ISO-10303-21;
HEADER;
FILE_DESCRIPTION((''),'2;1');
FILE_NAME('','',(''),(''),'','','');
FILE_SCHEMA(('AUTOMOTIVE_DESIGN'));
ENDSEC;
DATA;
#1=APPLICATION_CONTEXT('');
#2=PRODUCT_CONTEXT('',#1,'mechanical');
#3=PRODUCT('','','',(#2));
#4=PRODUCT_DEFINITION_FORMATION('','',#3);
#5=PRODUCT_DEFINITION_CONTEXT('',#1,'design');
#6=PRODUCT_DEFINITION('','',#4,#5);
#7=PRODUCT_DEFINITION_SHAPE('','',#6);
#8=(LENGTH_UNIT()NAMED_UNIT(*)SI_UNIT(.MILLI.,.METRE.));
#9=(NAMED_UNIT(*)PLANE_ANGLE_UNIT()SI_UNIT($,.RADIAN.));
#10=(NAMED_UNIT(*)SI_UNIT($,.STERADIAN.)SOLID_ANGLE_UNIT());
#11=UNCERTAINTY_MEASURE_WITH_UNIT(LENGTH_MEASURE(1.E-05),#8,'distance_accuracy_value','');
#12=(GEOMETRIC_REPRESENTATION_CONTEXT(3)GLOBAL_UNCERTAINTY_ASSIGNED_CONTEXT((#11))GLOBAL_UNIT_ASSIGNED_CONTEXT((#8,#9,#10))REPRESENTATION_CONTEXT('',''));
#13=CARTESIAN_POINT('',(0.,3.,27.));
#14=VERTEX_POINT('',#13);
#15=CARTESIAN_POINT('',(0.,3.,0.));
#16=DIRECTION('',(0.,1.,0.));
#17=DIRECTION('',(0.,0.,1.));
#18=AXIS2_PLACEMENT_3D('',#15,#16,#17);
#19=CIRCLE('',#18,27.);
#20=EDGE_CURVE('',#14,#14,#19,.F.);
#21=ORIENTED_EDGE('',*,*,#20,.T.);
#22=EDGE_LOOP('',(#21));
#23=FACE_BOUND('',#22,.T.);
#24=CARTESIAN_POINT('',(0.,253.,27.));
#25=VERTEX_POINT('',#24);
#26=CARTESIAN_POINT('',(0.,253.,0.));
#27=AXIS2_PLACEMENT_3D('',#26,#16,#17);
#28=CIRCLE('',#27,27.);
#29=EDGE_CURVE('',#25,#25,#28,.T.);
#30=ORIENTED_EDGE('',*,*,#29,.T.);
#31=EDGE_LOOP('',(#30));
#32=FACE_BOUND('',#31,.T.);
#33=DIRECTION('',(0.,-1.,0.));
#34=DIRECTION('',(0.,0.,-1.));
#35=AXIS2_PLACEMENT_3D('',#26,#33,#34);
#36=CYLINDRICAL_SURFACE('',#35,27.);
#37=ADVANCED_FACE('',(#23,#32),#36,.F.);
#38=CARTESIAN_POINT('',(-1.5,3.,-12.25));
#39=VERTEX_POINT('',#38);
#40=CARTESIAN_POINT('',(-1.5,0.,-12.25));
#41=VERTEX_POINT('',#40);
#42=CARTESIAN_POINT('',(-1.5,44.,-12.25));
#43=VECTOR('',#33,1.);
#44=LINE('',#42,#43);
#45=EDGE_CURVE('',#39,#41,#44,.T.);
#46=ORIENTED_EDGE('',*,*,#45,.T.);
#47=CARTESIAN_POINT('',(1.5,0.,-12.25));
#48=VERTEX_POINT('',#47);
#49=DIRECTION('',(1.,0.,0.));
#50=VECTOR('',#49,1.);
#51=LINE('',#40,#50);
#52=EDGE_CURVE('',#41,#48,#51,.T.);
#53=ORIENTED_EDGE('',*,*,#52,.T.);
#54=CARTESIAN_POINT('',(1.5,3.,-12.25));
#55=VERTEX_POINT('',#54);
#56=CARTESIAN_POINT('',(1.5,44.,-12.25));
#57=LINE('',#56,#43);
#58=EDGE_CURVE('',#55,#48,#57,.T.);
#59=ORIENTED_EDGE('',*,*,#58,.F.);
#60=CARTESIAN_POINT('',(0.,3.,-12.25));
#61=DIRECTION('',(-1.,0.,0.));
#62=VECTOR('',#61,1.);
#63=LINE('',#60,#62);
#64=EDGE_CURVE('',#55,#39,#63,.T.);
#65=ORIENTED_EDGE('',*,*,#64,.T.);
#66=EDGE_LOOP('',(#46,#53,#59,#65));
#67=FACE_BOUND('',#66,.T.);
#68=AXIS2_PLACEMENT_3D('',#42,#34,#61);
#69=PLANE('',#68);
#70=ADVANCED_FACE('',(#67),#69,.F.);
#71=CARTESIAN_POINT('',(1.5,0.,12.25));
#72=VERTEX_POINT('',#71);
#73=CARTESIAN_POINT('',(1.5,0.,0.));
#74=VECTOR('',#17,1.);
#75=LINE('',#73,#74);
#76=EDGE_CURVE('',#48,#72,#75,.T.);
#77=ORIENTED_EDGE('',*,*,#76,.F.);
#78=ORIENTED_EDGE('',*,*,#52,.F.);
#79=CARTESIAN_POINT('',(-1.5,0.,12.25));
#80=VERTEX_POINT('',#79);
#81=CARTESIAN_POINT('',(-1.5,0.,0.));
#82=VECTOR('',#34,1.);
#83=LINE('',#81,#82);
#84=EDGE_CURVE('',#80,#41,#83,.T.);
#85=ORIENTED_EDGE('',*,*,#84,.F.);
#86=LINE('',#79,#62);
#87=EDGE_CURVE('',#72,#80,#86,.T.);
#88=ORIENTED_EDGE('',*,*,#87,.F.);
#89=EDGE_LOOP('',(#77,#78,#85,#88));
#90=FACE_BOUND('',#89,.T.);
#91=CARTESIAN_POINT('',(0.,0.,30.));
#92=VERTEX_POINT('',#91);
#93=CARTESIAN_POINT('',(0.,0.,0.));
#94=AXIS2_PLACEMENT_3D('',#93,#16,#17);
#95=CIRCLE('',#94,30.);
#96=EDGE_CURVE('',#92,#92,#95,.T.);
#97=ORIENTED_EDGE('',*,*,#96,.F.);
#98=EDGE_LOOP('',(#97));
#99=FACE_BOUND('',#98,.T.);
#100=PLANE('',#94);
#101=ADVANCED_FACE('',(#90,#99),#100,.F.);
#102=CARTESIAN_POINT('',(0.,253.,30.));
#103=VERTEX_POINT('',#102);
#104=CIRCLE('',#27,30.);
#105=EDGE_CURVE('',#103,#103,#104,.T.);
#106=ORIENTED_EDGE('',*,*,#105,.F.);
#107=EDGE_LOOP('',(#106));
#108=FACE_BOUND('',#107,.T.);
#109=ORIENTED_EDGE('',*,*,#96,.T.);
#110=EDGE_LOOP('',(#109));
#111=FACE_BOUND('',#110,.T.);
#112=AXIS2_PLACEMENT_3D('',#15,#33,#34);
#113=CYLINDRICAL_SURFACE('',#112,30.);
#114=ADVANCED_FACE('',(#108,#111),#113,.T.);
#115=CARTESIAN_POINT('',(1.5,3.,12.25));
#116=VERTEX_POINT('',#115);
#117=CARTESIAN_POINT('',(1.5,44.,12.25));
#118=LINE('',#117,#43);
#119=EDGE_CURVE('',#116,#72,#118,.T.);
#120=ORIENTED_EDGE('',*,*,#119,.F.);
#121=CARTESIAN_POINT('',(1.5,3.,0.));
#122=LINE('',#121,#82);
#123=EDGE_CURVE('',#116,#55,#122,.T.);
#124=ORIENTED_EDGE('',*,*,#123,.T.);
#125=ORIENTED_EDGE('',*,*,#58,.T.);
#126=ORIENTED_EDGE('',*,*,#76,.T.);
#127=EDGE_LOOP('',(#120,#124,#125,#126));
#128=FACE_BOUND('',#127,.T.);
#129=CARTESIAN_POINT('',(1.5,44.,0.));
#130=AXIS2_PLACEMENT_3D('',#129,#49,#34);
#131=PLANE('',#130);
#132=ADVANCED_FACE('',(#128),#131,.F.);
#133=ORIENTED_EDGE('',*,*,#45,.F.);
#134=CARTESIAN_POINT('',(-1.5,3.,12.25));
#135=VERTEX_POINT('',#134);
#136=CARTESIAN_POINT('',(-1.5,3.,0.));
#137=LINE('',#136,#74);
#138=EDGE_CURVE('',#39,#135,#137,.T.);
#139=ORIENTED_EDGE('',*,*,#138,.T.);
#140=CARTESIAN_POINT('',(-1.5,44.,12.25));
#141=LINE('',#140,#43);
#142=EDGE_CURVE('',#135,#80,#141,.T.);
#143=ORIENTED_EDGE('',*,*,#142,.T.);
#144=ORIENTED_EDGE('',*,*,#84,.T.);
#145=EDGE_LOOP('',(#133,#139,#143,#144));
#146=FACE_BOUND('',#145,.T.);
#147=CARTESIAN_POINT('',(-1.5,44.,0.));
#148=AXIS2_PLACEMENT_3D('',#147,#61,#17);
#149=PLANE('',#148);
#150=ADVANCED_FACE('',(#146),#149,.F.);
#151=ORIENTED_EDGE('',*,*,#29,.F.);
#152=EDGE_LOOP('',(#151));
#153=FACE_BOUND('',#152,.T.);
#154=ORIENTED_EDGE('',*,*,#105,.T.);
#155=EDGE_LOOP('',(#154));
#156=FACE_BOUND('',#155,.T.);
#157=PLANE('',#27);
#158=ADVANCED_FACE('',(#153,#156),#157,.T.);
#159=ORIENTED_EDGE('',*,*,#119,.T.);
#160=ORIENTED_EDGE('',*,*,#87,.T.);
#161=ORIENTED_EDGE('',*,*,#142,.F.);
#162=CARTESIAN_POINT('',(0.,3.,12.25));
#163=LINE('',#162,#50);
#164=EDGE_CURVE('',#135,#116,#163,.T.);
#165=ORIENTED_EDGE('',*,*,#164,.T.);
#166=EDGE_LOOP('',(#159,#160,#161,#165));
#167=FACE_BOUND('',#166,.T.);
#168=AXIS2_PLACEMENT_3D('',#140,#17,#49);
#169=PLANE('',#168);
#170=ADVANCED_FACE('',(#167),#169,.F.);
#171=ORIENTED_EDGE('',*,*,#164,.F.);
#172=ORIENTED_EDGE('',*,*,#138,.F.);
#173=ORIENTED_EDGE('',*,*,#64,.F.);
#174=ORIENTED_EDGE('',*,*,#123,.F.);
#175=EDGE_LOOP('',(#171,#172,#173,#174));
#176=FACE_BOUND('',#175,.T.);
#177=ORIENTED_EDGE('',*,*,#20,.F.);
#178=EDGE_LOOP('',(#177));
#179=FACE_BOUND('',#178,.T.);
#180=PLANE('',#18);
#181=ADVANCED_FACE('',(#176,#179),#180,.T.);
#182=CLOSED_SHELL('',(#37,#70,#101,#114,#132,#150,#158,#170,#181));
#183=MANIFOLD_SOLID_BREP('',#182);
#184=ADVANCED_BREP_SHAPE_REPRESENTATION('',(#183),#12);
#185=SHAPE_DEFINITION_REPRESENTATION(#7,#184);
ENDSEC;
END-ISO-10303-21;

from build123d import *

# Parameters (mm, degrees)
SKETCH1_R           = 30
BOSS_EXTRUDE1_DEPTH = 3
SKETCH2_R           = 30
SKETCH2_R_2         = 27
BOSS_EXTRUDE2_DEPTH = 250
CUT_EXTRUDE1_DEPTH  = 44


with BuildPart() as part:
    # Sketch1 → Boss-Extrude1 (new body)
    with BuildSketch(Plane(origin=(0, 0, 0), x_dir=(1, 0, 0), z_dir=(0, 1, 0))):
        Circle(SKETCH1_R)
    extrude(amount=BOSS_EXTRUDE1_DEPTH)

    # Sketch2 → Boss-Extrude2 (add)
    with BuildSketch(Plane(origin=(0, 3, 0), x_dir=(1, 0, 0), z_dir=(0, 1, 0))):
        Circle(SKETCH2_R)
        Circle(SKETCH2_R_2, mode=Mode.SUBTRACT)
    extrude(amount=BOSS_EXTRUDE2_DEPTH)

    # Sketch3 → Cut-Extrude1 (cut)
    with BuildSketch(Plane.XZ):
        Polygon((-1.5, 0), (-1.5, 12.25), (1.5, 12.25), (1.5, 0), (1.5, -12.25), (-1.5, -12.25), align=None)
    extrude(amount=-CUT_EXTRUDE1_DEPTH, mode=Mode.SUBTRACT)


solid = part.part
